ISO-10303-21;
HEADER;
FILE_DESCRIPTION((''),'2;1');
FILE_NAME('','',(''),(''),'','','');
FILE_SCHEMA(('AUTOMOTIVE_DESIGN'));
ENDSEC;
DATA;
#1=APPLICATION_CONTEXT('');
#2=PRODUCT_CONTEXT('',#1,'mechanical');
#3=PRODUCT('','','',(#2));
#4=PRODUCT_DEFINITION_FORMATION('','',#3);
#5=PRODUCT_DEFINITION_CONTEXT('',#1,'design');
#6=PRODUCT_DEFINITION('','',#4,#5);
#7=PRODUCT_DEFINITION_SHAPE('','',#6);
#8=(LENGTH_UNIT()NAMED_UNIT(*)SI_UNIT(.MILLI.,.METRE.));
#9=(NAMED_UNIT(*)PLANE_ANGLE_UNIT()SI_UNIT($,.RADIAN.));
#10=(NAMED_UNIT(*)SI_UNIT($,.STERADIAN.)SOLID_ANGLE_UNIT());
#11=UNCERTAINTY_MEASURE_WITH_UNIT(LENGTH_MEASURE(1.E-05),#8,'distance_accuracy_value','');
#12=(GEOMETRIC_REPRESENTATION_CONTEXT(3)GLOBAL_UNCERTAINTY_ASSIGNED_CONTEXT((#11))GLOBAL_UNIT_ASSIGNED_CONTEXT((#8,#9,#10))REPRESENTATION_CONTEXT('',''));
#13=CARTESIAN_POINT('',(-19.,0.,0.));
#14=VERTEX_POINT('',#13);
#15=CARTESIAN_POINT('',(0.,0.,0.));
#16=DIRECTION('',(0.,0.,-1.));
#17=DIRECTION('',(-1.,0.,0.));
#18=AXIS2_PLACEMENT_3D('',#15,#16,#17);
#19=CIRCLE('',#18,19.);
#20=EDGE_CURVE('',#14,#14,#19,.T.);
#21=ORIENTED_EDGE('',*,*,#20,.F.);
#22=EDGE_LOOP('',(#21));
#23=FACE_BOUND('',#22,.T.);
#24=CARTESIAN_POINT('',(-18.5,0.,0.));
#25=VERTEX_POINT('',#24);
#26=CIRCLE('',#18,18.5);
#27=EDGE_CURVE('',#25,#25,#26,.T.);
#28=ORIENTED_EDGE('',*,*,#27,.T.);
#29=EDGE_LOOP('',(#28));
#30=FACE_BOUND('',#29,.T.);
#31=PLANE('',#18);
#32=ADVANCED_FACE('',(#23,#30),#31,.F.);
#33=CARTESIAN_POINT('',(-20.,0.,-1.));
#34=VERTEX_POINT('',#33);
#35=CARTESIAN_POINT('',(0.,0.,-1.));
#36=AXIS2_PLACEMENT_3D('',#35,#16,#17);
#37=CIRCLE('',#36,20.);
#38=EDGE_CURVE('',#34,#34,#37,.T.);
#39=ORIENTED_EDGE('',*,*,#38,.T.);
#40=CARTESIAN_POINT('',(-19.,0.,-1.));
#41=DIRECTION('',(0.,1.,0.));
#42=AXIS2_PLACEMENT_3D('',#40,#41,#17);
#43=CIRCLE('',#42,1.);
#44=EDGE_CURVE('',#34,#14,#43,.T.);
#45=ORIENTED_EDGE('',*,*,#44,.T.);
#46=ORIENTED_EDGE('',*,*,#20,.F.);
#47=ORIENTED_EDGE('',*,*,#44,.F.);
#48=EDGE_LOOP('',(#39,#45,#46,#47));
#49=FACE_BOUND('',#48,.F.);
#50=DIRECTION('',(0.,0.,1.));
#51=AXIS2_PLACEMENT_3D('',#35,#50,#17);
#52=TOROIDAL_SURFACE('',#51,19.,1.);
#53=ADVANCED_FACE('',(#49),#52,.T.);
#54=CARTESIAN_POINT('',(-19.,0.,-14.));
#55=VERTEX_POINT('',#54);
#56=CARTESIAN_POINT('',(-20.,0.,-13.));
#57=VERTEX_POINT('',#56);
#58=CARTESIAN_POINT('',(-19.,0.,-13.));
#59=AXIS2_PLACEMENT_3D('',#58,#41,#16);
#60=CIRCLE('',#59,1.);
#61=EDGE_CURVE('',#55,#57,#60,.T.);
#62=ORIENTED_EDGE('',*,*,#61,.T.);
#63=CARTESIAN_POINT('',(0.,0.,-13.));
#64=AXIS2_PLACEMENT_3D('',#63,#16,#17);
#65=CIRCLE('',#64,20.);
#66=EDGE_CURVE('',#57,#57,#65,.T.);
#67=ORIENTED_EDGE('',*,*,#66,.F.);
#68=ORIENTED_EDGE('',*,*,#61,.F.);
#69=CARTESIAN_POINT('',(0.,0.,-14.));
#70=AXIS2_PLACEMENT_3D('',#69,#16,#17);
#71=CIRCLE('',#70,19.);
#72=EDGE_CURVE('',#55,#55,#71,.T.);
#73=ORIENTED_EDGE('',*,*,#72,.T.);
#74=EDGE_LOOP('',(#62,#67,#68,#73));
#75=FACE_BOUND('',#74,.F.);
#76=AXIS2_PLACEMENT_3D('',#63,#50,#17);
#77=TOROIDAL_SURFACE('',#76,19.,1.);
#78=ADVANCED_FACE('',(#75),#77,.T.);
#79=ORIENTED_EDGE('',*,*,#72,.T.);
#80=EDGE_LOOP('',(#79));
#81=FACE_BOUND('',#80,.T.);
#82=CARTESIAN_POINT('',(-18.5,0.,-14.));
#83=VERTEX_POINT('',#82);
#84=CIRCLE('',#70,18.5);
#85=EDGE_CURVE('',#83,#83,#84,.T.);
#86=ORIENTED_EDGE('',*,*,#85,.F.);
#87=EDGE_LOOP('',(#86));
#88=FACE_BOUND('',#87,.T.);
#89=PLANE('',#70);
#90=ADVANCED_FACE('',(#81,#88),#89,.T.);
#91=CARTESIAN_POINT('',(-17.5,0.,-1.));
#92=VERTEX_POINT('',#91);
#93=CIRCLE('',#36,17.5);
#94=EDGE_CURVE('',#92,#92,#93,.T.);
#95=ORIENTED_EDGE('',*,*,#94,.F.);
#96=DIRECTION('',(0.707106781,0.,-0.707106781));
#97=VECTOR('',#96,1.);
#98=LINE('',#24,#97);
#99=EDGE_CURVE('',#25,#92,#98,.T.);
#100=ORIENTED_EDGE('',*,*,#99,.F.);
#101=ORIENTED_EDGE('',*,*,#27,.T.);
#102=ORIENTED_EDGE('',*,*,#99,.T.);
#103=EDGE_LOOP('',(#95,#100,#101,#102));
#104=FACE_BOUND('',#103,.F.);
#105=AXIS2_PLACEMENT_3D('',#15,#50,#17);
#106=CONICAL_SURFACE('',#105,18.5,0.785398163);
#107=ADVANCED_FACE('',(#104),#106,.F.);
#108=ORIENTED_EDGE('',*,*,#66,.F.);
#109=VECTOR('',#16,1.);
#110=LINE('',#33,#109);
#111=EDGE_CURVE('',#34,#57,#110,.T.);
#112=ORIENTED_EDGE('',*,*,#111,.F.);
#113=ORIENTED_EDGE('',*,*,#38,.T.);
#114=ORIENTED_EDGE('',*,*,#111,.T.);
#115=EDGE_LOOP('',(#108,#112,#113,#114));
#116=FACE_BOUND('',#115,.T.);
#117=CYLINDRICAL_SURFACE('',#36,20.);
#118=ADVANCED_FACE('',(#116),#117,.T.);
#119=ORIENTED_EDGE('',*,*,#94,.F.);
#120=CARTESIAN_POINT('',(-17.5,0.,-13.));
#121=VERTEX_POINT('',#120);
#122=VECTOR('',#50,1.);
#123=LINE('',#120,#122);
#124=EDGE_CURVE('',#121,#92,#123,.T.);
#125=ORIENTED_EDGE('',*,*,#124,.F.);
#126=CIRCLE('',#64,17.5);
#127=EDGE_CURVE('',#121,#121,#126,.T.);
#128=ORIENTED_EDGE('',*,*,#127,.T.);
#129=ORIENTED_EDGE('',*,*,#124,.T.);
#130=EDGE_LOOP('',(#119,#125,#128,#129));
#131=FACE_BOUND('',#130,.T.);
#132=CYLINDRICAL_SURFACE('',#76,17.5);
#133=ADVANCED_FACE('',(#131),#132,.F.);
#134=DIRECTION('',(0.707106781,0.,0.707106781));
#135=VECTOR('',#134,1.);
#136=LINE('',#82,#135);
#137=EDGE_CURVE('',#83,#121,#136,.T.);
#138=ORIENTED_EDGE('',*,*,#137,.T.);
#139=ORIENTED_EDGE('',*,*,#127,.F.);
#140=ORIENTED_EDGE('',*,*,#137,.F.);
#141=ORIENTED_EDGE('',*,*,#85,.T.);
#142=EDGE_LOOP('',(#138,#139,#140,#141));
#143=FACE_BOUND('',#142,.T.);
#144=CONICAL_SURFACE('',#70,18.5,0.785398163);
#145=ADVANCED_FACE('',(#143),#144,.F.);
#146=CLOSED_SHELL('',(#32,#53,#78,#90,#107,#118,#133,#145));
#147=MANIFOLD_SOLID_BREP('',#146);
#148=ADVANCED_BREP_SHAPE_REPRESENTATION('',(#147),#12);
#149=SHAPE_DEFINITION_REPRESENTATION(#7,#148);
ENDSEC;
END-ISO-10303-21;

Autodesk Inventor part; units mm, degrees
ref_plane "YZ Plane" through (0, 0, 0) normal (1, 0, 0) x (0, 1, 0)
ref_plane "XZ Plane" through (0, 0, 0) normal (0, 1, 0) x (-1, 0, 0)
ref_plane "XY Plane" through (0, 0, 0) normal (0, 0, 1) x (1, 0, 0)
sketch "Sketch1" plane through (0, 0, 0) normal (0, 1, 0) x (-1, 0, 0)
  line L0 (0, 0) -> (0, -14) construction
  line L1 (18.5, 0) -> (19, 0)
  line L2 (20, -1) -> (20, -13)
  line L3 (19, -14) -> (18.5, -14)
  line L4 (17.5, -13) -> (17.5, -1)
  arc A0 (20, -1) -> (19, 0) centre (19, -1) ccw
  arc A1 (19, -14) -> (20, -13) centre (19, -13) ccw
  line L5 (18.5, 0) -> (17.5, -1)
  line L6 (18.5, -14) -> (17.5, -13)
  dimension "d0" = 14
  dimension "d1" = 17.5
  dimension "d2" = 20
  dimension "d3" = 14
  dimension "d4" = 1
  dimension "d5" = 18.5
  dimension "d6" = 1
  dimension "d7" = 18.5
  dimension "d8" = 1
revolve "Revolution1" add sketch "Sketch1" angle 360 about axis through (0, 0, 0) along (0, 0, -1)
properties part number "26-10-206 Spannrad Stufe 2, Riemenspanner"
